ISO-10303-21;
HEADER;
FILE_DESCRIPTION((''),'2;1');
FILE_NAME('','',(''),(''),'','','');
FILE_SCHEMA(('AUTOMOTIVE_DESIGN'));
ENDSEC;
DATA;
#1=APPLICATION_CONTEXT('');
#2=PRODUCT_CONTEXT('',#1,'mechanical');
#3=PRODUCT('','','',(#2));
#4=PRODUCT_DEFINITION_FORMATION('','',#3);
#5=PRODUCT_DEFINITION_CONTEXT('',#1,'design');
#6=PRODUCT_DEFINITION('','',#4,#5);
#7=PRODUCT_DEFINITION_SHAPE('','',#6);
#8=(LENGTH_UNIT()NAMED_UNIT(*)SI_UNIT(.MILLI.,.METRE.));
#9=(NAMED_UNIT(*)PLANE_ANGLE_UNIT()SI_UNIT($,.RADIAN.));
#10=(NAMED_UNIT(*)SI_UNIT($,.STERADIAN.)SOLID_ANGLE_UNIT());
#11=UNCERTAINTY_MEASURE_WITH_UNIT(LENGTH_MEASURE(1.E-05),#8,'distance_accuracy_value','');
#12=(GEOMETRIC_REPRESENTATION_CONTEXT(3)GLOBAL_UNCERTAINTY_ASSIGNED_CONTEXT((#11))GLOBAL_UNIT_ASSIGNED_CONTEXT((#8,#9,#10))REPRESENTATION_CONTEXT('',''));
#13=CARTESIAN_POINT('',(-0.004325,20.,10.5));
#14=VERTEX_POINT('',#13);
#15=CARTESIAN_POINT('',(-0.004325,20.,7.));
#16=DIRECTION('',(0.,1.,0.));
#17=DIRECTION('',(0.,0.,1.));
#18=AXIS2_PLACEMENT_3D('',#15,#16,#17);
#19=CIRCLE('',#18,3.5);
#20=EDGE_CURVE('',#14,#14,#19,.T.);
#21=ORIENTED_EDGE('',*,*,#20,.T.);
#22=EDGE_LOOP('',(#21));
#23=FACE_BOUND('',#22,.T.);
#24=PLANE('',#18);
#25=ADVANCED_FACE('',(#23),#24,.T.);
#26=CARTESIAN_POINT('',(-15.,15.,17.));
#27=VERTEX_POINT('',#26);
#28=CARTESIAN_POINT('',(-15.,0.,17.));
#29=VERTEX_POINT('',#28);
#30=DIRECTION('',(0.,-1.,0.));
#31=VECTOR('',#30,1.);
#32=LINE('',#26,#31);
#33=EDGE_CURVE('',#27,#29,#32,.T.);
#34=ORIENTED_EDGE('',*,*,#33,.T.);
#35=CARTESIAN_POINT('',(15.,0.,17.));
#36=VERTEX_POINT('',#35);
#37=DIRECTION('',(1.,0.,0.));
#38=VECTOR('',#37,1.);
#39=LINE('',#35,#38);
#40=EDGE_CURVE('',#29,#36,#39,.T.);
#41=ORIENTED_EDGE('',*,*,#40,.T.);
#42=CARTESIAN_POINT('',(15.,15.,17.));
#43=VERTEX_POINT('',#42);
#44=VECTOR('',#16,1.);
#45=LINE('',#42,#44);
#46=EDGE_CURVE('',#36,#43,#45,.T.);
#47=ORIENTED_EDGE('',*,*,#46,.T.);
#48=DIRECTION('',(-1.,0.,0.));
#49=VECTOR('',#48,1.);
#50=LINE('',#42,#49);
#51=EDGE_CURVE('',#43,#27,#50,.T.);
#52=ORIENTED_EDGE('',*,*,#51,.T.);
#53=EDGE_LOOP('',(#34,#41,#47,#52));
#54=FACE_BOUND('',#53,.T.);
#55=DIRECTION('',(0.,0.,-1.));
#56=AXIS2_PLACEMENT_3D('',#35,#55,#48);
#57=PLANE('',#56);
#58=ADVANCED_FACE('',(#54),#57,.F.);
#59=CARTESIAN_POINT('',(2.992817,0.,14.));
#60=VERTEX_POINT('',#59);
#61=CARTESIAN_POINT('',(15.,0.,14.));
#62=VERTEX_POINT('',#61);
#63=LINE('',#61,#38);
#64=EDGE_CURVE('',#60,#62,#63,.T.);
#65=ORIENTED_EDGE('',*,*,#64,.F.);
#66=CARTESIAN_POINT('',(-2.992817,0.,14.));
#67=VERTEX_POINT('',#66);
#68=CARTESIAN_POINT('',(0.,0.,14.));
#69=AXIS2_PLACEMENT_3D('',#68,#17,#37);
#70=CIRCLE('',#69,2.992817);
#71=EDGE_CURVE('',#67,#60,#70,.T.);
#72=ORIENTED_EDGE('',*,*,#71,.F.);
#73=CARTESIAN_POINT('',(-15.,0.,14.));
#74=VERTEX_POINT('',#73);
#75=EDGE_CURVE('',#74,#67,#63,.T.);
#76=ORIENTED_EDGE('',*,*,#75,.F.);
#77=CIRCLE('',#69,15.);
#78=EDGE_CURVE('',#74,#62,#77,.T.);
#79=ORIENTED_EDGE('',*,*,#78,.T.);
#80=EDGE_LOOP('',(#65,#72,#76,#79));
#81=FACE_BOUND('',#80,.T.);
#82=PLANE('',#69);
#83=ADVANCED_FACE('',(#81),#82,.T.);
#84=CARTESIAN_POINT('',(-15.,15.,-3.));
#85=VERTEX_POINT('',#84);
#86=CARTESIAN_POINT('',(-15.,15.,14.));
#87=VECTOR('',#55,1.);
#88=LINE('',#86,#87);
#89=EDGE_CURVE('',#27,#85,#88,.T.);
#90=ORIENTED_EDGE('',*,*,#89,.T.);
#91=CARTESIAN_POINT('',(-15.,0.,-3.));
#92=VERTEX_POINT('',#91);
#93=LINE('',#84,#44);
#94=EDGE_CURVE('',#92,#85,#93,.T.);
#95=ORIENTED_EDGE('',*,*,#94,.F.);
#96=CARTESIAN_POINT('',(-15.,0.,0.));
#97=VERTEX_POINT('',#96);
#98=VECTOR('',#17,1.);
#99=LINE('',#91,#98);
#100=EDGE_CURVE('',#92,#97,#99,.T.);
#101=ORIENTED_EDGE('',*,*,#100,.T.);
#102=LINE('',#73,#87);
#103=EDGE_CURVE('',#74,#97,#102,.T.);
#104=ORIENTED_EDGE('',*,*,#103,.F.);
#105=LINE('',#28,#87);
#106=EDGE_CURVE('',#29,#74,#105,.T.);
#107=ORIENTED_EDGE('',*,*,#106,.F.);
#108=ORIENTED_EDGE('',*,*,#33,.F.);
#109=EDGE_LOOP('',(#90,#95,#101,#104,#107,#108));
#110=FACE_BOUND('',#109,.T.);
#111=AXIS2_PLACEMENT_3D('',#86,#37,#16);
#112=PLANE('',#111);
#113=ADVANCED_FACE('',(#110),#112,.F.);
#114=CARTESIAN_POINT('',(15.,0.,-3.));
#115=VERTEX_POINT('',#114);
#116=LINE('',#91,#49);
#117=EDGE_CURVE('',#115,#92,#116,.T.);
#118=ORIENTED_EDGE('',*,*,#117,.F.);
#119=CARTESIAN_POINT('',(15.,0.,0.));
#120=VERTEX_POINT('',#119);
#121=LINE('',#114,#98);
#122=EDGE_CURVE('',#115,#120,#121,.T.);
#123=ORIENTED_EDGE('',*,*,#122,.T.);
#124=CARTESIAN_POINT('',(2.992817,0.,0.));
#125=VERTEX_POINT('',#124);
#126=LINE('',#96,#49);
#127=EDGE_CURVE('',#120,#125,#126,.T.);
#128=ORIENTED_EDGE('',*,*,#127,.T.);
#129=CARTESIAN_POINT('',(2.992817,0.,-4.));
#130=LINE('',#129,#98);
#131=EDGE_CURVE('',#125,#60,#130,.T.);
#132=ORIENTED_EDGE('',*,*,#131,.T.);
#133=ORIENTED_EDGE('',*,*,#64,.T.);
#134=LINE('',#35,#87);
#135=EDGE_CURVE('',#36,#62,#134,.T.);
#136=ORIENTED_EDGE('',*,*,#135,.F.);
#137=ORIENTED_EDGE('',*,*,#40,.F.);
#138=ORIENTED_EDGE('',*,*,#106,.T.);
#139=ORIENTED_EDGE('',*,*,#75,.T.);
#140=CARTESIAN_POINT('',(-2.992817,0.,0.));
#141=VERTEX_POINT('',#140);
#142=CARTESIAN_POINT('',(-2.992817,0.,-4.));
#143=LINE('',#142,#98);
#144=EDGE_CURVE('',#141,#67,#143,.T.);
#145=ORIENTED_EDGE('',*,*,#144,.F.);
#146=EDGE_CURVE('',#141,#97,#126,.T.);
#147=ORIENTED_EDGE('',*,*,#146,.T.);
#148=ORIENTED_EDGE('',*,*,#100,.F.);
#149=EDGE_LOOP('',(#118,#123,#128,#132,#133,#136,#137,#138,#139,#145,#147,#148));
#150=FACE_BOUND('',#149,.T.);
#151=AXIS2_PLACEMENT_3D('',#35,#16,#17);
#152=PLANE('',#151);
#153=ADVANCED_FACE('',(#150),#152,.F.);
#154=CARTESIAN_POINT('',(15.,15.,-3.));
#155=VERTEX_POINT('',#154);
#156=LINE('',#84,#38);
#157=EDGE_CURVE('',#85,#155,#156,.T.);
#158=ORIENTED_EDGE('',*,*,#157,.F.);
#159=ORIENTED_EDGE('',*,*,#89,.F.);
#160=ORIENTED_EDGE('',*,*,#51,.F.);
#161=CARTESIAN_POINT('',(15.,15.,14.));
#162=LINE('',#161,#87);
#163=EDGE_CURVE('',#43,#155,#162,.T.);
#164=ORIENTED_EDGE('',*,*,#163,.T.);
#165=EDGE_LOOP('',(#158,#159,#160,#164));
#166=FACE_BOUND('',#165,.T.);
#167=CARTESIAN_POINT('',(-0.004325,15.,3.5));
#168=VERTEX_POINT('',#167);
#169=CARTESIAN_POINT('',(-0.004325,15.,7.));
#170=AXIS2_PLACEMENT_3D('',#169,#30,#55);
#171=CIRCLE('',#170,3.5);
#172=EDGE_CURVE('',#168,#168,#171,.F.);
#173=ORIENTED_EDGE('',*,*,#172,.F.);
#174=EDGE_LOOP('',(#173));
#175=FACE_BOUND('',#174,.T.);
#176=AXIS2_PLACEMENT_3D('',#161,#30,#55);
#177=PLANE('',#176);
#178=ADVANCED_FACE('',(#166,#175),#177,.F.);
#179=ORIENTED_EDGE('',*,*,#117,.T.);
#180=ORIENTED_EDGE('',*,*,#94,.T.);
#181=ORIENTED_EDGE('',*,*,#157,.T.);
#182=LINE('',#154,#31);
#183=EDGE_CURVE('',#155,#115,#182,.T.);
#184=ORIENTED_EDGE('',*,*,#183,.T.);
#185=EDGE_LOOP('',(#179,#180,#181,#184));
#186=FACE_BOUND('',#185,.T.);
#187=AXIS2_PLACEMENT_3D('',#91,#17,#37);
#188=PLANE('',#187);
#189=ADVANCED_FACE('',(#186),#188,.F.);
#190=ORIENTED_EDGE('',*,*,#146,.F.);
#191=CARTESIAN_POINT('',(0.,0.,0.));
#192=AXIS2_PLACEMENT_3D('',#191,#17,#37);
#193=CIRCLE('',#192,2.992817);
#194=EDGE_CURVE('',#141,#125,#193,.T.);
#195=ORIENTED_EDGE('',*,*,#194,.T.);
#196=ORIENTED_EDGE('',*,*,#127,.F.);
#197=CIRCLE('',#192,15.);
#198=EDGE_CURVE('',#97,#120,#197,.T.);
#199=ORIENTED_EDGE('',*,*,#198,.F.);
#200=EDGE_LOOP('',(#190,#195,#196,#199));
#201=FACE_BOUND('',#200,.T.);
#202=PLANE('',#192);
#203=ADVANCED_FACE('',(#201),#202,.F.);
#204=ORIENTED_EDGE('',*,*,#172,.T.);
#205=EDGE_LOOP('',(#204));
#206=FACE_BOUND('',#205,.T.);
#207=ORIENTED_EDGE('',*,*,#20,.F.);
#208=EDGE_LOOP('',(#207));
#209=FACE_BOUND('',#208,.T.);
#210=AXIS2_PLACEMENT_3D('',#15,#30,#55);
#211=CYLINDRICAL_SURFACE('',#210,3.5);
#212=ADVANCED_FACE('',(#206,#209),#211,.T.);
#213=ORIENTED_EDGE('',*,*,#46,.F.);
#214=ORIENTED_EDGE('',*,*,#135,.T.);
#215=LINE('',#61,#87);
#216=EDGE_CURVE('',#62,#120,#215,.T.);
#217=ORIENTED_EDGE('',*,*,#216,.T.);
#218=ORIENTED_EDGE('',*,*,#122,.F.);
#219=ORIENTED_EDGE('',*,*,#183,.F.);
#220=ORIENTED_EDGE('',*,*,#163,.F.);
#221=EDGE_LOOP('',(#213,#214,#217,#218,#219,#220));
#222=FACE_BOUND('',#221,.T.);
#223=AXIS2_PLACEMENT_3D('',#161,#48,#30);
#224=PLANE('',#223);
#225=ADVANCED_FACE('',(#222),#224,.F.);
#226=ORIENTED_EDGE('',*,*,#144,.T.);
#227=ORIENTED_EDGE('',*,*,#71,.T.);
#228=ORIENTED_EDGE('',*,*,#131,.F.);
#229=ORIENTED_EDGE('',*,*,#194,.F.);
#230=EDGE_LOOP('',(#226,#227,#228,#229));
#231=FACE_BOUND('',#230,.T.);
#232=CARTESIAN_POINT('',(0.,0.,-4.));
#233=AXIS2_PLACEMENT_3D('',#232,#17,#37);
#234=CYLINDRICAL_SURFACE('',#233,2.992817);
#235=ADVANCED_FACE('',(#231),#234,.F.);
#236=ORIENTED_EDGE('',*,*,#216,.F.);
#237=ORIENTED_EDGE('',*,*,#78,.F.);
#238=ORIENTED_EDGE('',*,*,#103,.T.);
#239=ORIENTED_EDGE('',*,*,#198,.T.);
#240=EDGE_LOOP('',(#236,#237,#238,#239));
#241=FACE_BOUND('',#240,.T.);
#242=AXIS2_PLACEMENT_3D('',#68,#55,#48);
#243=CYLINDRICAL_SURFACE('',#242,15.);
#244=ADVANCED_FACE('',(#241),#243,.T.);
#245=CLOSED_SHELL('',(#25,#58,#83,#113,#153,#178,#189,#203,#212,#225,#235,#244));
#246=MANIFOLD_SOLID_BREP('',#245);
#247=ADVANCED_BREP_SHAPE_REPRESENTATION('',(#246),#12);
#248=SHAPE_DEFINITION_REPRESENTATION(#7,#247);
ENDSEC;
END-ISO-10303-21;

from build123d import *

# Parameters (mm, degrees)
EXTRUSION1_DEPTH        = 14
ESQUISSE2_W             = 30
ESQUISSE2_H             = 15
EXTRUSION2_DEPTH        = 3
ESQUISSE3_W             = 30
ESQUISSE3_H             = 15
EXTRUSION3_DEPTH        = 3
ESQUISSE4_R             = 3.5
EXTRUSION4_DEPTH        = 5
ENL_V_MAT_EXTRU_1_DEPTH = 18


with BuildPart() as part:
    # Esquisse1 → Extrusion1 (new body)
    with BuildSketch(Plane.XY):
        with BuildLine():
            Line((15, 15), (-15, 15))
            Line((-15, 15), (-15, 0))
            ThreePointArc((-15, 0), (0, -15), (15, 0))
            Line((15, 0), (15, 15))
        make_face()
    extrude(amount=EXTRUSION1_DEPTH)

    # Esquisse2 → Extrusion2 (add)
    with BuildSketch(Plane.XY.offset(14)):
        with Locations((0, 7.5)):
            Rectangle(ESQUISSE2_W, ESQUISSE2_H)
    extrude(amount=EXTRUSION2_DEPTH)

    # Esquisse3 → Extrusion3 (add)
    with BuildSketch(Plane(origin=(0, 0, 0), x_dir=(-1, 0, 0), z_dir=(0, 0, -1))):
        with Locations((0, 7.5)):
            Rectangle(ESQUISSE3_W, ESQUISSE3_H)
    extrude(amount=EXTRUSION3_DEPTH)

    # Esquisse4 → Extrusion4 (add)
    with BuildSketch(Plane(origin=(0, 15, 0), x_dir=(1, 0, 0), z_dir=(0, 1, 0))):
        with Locations(Location((-0.004325278, -7, 0), (0, 0, 90))):
            Circle(ESQUISSE4_R)
    extrude(amount=EXTRUSION4_DEPTH)

    # Esquisse5 → Enlèv. mat.-Extru.1 (cut)
    with BuildSketch(Plane.XY.offset(14)):
        with BuildLine():
            Line((-2.992817477, 0), (2.992817477, 0))
            ThreePointArc((2.992817477, 0), (0, -2.992817477), (-2.992817477, 0))
        make_face()
    extrude(amount=-ENL_V_MAT_EXTRU_1_DEPTH, mode=Mode.SUBTRACT)


solid = part.part
